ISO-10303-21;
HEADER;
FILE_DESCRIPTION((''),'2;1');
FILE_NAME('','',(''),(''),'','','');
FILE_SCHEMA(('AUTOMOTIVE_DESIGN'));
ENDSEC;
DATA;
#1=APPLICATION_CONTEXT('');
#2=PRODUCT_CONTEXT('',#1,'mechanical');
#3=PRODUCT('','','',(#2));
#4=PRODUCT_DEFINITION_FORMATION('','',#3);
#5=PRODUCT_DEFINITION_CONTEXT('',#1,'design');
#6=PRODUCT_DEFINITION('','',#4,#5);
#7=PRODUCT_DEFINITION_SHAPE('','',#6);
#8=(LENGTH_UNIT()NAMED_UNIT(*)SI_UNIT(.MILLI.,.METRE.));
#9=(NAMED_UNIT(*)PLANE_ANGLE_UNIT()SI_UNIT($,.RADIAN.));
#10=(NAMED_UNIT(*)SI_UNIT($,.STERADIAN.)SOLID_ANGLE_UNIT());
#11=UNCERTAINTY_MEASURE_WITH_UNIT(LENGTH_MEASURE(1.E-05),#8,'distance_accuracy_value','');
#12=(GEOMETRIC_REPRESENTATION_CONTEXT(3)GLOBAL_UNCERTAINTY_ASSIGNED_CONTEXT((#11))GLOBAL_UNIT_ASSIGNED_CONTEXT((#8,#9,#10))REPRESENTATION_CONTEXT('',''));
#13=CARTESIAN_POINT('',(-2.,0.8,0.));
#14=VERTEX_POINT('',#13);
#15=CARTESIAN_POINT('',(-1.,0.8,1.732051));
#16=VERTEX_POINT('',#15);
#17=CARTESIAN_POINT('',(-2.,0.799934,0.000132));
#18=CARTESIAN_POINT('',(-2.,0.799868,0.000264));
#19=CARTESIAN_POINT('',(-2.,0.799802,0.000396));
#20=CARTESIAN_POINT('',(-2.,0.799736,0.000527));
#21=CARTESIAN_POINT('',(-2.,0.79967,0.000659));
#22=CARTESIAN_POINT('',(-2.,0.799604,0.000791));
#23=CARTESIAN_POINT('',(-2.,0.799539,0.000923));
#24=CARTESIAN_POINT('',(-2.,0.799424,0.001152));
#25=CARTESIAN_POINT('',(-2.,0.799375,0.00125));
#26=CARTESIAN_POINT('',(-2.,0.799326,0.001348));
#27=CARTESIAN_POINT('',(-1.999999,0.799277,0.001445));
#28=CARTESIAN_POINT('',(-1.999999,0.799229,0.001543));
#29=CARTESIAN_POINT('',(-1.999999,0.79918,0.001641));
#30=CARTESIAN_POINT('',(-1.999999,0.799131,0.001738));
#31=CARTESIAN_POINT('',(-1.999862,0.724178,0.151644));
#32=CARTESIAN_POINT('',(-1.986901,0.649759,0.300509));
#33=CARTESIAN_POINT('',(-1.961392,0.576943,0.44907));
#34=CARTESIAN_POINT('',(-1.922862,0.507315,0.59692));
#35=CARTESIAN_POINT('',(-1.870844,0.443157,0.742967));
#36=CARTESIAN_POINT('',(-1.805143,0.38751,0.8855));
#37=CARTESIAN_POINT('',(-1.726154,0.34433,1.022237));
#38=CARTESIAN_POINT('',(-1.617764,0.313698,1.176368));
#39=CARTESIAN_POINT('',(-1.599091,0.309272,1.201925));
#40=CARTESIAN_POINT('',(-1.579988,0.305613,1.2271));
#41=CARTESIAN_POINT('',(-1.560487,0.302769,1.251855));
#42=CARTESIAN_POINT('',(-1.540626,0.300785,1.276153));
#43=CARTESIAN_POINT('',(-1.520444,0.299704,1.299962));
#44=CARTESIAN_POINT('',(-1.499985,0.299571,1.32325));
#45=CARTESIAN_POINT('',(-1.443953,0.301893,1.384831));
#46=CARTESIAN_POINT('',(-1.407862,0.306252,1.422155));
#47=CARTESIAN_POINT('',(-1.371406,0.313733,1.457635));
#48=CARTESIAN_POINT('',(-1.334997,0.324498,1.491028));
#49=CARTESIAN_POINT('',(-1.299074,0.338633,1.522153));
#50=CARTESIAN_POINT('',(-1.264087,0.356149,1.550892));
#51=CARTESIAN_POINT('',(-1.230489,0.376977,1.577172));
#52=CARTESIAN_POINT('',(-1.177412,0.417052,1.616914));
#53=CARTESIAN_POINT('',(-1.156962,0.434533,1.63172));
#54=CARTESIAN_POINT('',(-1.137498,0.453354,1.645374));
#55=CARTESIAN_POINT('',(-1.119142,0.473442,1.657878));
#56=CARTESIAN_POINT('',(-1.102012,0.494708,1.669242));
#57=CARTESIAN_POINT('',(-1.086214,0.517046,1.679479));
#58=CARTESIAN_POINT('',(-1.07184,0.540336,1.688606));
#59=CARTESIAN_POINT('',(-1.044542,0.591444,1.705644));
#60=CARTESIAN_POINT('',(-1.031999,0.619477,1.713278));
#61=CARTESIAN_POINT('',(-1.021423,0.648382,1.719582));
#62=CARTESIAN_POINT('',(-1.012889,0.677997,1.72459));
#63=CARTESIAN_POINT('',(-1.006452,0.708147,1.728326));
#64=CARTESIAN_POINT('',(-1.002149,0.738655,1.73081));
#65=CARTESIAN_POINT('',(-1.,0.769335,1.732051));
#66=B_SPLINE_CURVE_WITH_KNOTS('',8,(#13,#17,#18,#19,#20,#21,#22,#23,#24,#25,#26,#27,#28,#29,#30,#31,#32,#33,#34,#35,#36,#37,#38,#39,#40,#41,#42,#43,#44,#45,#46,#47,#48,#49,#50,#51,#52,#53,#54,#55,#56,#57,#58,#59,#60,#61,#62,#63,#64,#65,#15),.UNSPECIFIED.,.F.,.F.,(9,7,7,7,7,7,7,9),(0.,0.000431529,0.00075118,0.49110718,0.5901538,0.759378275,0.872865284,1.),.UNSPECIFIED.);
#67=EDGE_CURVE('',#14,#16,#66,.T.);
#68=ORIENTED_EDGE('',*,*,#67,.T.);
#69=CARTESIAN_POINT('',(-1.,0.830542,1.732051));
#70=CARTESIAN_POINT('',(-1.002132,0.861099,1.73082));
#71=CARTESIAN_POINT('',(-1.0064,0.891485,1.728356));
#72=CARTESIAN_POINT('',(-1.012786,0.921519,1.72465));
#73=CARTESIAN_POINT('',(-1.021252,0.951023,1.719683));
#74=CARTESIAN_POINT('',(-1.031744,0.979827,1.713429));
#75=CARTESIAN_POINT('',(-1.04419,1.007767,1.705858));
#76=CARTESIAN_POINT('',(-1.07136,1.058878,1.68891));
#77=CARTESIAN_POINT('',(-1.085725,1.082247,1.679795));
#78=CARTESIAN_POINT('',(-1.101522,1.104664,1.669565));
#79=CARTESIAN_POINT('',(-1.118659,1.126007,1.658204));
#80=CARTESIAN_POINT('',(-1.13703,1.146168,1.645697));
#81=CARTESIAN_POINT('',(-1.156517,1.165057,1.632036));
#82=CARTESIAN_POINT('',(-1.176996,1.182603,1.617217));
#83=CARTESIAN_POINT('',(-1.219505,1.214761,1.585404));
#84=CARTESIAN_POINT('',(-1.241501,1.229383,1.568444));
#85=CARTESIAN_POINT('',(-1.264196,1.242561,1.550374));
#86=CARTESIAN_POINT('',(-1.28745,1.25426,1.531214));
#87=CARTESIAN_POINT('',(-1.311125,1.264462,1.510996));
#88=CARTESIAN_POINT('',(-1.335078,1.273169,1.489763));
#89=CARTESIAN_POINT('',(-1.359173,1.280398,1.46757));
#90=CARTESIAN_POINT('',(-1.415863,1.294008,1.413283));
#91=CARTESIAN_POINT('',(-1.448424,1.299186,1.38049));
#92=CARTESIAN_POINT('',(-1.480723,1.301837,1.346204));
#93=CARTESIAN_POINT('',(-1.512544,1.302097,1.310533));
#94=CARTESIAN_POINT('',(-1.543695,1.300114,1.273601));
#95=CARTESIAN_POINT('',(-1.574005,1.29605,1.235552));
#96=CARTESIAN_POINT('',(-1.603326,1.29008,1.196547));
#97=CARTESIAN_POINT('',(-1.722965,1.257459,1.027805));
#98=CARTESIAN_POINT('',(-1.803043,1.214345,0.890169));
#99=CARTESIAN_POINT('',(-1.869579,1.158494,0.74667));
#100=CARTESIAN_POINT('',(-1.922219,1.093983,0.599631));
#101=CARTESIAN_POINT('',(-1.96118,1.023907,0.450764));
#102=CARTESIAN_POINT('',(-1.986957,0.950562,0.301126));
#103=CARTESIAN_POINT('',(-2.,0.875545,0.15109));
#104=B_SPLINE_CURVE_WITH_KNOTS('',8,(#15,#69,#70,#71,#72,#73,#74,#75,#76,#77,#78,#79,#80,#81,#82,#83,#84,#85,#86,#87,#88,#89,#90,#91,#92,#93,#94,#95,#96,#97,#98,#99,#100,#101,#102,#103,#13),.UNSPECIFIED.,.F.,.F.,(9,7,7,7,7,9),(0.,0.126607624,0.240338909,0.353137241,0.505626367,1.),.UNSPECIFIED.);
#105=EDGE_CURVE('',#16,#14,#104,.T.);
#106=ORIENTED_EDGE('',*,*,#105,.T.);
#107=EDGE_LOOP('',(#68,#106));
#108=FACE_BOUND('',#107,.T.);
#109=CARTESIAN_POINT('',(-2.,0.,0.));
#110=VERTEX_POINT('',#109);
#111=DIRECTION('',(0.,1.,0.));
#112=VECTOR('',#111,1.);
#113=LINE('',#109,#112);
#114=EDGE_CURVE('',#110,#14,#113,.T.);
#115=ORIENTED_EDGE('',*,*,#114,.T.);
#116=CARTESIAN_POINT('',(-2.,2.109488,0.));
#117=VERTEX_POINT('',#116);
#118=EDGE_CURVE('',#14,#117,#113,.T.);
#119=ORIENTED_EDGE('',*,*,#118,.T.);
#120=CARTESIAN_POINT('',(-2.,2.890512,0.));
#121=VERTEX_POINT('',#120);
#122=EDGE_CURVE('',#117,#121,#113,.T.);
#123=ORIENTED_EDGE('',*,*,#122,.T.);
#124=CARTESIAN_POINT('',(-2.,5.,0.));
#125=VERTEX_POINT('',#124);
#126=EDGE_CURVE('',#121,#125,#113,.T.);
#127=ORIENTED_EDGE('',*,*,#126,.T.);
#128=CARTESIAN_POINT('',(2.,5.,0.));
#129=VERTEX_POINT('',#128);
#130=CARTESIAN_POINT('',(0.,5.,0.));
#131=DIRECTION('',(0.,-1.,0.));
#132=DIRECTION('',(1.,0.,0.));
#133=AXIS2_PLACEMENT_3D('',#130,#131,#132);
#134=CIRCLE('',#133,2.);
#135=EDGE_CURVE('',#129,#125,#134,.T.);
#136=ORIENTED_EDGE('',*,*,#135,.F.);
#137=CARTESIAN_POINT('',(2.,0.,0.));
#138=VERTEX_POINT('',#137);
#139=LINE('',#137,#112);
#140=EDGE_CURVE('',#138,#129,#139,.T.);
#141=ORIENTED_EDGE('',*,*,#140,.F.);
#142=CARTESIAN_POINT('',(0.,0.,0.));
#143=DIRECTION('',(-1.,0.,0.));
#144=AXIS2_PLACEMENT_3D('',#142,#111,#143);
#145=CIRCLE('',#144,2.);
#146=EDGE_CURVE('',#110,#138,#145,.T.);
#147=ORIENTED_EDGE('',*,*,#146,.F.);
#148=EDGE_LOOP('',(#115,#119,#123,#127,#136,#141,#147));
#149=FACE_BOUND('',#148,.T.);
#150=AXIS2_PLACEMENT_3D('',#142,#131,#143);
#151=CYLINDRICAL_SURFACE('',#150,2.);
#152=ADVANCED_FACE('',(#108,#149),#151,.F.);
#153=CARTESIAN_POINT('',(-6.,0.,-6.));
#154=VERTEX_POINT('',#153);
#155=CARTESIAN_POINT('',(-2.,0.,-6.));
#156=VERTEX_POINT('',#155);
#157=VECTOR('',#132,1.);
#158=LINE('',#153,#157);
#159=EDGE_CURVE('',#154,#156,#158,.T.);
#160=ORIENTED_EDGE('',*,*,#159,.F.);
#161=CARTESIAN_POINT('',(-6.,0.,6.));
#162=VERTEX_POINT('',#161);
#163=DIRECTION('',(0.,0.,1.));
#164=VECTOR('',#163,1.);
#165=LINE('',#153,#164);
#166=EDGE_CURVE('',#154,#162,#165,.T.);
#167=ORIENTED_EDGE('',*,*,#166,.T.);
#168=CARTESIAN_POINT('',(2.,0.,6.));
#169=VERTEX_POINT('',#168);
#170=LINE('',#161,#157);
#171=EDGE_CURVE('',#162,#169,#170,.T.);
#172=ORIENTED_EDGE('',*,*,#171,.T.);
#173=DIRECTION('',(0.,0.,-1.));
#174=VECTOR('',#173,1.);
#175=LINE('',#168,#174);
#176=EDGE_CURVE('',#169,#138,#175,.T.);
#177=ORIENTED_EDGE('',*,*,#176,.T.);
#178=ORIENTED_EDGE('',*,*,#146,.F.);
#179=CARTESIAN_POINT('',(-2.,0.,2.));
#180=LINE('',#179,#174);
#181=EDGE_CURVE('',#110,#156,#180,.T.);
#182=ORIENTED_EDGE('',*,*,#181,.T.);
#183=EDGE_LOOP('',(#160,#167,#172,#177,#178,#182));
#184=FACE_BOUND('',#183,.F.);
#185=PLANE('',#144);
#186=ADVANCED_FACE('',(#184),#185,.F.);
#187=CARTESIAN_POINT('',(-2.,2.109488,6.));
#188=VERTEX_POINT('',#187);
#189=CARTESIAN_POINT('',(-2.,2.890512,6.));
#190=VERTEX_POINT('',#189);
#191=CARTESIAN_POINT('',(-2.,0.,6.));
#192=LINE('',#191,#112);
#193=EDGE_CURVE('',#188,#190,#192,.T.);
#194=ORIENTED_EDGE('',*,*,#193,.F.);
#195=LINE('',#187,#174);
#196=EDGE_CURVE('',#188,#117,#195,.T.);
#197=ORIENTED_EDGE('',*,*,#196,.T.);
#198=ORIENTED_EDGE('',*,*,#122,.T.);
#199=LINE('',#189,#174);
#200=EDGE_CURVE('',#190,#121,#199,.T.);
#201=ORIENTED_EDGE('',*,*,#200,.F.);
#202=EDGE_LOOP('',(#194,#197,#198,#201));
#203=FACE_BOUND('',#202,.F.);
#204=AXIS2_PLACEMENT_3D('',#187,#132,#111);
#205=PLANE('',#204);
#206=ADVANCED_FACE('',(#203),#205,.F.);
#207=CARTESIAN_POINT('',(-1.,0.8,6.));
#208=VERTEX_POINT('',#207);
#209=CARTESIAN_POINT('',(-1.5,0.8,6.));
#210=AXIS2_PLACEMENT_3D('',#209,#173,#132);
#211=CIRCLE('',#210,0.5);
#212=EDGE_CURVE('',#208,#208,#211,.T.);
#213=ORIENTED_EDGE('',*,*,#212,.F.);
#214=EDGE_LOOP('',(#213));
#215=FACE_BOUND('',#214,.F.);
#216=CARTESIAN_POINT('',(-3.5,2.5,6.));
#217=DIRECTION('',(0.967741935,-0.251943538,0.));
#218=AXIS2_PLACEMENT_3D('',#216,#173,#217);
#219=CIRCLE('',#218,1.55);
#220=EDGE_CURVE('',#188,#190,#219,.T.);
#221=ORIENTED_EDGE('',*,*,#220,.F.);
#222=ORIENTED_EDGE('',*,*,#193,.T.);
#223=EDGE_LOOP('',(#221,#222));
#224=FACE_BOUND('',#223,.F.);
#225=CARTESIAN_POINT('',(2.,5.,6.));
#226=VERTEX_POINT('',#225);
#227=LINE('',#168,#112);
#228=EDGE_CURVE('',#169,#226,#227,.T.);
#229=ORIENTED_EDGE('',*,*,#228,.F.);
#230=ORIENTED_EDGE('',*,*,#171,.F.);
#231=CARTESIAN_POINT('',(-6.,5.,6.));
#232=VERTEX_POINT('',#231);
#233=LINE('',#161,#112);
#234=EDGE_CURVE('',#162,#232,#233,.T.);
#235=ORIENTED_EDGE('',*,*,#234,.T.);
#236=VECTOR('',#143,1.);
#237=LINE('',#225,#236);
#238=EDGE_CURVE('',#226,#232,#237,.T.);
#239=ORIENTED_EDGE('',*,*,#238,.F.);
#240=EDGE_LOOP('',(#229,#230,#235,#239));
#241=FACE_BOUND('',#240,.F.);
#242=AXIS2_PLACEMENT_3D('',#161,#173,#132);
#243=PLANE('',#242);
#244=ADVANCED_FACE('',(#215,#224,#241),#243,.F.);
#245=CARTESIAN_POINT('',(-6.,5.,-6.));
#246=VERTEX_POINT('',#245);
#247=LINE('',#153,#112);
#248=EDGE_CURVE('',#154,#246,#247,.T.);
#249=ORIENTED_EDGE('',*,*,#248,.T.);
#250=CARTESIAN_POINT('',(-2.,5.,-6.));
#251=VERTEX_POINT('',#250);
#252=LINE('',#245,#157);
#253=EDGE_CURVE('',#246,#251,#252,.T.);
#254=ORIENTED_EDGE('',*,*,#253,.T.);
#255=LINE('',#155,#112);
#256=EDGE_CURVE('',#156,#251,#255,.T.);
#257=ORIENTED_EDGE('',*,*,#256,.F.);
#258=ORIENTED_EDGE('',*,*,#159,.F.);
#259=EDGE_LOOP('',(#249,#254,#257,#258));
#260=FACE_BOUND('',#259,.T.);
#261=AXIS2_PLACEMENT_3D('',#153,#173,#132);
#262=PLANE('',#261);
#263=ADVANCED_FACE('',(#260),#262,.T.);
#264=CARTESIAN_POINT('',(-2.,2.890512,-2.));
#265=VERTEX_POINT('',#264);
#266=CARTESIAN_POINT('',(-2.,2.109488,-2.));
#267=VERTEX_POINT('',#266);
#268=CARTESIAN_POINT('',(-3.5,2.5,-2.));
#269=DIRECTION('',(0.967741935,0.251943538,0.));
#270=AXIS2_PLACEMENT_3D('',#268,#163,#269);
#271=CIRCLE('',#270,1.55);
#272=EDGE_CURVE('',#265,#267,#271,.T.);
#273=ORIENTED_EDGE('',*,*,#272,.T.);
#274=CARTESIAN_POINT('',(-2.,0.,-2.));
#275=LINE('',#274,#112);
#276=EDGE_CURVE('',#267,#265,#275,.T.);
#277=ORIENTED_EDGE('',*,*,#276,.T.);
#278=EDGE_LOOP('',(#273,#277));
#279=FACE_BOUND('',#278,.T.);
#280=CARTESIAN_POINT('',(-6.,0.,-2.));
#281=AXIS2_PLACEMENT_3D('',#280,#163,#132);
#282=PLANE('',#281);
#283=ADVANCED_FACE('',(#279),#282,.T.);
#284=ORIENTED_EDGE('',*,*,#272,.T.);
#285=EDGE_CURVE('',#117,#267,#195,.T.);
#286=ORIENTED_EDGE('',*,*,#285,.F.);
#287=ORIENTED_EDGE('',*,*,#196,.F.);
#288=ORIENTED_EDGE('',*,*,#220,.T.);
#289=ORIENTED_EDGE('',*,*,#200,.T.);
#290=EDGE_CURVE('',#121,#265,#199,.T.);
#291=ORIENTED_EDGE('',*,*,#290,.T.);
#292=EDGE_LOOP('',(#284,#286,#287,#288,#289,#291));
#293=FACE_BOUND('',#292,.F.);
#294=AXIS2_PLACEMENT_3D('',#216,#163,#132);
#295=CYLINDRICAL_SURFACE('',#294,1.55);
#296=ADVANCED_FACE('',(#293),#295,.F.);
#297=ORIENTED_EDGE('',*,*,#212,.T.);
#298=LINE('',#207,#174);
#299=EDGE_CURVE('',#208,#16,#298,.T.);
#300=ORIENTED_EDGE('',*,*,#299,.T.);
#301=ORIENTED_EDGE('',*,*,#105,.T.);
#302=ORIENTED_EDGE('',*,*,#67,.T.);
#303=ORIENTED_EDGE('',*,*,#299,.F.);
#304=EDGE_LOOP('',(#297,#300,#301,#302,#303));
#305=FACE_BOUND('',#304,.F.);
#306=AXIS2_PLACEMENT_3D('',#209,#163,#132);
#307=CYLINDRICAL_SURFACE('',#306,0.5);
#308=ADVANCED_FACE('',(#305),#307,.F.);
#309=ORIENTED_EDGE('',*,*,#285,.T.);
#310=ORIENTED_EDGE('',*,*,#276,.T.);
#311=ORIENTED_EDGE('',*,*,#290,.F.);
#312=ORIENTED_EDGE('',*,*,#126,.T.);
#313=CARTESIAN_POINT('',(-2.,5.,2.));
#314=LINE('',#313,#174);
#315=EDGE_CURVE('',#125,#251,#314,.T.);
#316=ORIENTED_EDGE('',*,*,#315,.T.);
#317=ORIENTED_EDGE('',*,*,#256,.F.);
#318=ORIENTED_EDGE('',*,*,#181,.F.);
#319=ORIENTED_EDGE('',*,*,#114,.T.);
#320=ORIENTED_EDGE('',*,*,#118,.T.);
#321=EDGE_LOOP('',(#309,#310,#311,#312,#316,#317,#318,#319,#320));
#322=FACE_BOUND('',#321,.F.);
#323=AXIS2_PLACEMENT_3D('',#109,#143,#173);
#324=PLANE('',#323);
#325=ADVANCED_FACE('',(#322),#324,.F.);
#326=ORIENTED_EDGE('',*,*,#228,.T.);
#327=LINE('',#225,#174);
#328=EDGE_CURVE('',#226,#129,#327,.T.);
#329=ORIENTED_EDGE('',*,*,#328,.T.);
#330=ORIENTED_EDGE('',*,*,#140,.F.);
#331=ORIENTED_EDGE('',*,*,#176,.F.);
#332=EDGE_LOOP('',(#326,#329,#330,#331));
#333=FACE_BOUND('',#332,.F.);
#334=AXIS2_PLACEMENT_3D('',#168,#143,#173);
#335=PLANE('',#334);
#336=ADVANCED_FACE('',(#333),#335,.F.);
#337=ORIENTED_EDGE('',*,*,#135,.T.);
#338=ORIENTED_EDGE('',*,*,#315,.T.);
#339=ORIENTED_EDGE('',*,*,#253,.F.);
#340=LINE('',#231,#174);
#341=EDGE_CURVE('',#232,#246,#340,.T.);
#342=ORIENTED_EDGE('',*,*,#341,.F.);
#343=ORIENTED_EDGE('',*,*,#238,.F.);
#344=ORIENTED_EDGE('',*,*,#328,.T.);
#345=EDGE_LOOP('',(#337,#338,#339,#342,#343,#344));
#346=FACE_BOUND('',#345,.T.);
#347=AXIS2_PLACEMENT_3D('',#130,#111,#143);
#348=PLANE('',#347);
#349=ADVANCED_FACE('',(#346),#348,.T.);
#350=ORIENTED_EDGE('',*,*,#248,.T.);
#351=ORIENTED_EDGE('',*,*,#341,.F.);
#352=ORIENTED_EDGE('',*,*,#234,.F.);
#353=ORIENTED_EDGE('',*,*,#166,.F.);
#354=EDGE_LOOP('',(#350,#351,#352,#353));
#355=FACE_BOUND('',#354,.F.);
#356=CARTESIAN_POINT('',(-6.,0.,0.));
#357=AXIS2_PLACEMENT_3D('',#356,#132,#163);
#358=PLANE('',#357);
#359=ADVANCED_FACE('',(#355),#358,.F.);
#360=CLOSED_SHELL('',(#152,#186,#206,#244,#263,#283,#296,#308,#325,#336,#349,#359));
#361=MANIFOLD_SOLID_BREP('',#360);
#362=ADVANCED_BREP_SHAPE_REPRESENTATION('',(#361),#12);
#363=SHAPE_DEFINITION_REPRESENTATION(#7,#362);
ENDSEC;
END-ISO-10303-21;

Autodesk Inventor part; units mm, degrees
ref_plane "YZ Plane" through (0, 0, 0) normal (1, 0, 0) x (0, 1, 0)
ref_plane "XZ Plane" through (0, 0, 0) normal (0, 1, 0) x (-1, 0, 0)
ref_plane "XY Plane" through (0, 0, 0) normal (0, 0, 1) x (1, 0, 0)
sketch "スケッチ1" plane through (0, 0, 0) normal (0, 1, 0) x (-1, 0, 0)
  circle A0 centre (0, 0) radius 1.15
  circle A1 centre (0, 0) radius 2
  line L0 (0, 0) -> (6, 0)
  line L1 (6, 0) -> (6, 6)
  line L2 (6, 6) -> (0, 6)
  line L3 (0, 6) -> (0, 0)
  line L4 (0, 0) -> (6, 0)
  line L5 (6, 0) -> (6, -6)
  line L6 (6, -6) -> (0, -6)
  line L7 (0, -6) -> (0, 0)
  line L8 (0, 2) -> (2, 2)
  line L9 (2, 2) -> (2, -6)
  line L10 (2, -6) -> (0, -6)
  line L11 (0, -6) -> (0, 2)
  line L12 (0, 6) -> (-2, 6)
  line L13 (-2, 6) -> (-2, 0)
  line L14 (-2, 0) -> (0, 0)
  line L15 (0, 0) -> (0, 6)
  point P0 (2, 0)
  dimension "d0" = 2.3
  dimension "d1" = 4
  dimension "d2" = 6
  dimension "d3" = 6
  dimension "d4" = 6
extrude "押し出し1" add sketch "スケッチ1" along normal blind 5 contours L9 L8 L3 L2 L1 L0 | A1 L8 L9 | L0 L5 L6 L9 | A1 L13 L12 L3
sketch "スケッチ2" plane through (-6, 0, 6) normal (0, 0, 1) x (1, 0, 0)
  line L0 (0, 0) -> (8, 0) projected
  line L1 (0, 5) -> (8, 5) projected
  line L2 (8, 0) -> (4, 0)
  line L3 (4, 0) -> (4, 5)
  line L4 (4, 5) -> (8, 5)
  line L5 (8, 5) -> (8, 0)
  line L6 (4, 0) -> (4.5, 0)
  line L7 (4.5, 0) -> (4.5, 0.8)
  line L8 (4.5, 0.8) -> (4, 0.8)
  line L9 (4, 0.8) -> (4, 0)
  circle A0 centre (4.5, 0.8) radius 0.5
  line L10 (0, 5) -> (2.5, 5)
  line L11 (2.5, 5) -> (2.5, 2.5)
  line L12 (2.5, 2.5) -> (0, 2.5)
  line L13 (0, 2.5) -> (0, 5)
  circle A1 centre (2.5, 2.5) radius 1.55
  point P0 (6, 0)
  point P1 (4, 2.8905)
  point P2 (4, 2.1095)
  dimension "d7" = 4
  dimension "d8" = 0.5
  dimension "d9" = 0.8
  dimension "d10" = 2.5
  dimension "d11" = 2.5
  dimension "d12" = 3.1
extrude "押し出し2" cut sketch "スケッチ2" against normal blind 8 contours A0 L7 L8 | L8 L7 A0 | A1 L12 L11 L3 | A1 L11 L12
properties part number "rod4.5"
